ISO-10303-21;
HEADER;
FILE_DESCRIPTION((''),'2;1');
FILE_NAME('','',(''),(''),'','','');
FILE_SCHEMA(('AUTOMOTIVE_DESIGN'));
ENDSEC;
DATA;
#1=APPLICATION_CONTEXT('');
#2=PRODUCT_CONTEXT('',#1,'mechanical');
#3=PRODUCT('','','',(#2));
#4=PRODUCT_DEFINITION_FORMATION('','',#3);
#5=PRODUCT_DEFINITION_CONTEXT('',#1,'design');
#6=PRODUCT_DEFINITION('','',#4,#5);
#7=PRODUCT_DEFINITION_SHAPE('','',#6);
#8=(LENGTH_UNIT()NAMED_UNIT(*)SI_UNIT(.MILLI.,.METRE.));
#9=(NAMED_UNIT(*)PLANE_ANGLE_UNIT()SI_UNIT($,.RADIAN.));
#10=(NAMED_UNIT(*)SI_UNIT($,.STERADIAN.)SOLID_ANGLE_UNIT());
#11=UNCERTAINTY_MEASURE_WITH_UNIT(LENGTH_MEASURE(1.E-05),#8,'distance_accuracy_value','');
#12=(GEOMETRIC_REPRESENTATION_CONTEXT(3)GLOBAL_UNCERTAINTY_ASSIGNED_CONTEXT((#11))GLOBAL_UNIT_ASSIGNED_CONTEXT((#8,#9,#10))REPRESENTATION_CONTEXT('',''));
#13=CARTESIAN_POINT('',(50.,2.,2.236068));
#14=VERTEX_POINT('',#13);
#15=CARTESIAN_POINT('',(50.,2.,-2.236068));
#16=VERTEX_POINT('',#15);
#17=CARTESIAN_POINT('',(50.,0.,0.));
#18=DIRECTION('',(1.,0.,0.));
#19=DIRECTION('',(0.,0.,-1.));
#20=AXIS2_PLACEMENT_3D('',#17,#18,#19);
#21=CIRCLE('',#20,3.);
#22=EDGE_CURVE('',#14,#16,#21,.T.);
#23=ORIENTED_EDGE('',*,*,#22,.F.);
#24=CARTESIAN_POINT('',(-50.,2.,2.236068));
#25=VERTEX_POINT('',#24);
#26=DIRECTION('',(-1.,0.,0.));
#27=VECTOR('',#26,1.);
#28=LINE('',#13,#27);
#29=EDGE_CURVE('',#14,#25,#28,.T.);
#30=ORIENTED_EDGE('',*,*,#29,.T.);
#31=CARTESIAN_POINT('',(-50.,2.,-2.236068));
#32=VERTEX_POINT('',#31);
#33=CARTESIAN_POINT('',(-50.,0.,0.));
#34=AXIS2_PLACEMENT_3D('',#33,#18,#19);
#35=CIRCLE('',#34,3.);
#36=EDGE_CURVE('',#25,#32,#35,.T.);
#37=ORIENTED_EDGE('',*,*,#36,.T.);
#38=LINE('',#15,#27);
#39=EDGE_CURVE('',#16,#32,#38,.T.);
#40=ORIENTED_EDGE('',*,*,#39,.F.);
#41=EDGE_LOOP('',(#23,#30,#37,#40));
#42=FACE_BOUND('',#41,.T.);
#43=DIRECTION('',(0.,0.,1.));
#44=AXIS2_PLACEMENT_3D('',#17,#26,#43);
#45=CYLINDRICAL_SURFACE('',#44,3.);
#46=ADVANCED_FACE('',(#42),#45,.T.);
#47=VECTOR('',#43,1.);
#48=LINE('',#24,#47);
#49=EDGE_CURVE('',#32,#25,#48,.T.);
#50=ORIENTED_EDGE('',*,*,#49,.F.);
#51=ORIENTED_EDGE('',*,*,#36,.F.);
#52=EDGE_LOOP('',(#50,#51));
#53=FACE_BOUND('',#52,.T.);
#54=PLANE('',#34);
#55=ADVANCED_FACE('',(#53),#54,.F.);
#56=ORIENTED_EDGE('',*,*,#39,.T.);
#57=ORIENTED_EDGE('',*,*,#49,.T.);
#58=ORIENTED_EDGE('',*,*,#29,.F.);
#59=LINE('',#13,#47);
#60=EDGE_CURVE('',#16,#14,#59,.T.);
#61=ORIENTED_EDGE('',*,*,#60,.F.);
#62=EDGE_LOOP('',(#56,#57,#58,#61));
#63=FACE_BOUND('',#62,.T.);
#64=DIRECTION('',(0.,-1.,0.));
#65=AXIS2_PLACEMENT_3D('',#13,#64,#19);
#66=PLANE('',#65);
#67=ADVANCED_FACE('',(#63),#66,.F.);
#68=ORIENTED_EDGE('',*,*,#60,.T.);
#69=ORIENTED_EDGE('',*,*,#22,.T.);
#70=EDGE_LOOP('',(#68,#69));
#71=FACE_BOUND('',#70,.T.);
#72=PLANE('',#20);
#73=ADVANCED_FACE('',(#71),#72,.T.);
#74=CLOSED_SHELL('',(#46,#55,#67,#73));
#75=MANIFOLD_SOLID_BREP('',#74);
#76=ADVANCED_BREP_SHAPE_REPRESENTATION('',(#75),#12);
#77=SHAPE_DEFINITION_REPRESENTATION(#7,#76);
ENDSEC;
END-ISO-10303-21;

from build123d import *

# Parameters (mm, degrees)
BOSS_EXTRUDE1_DEPTH = 50


with BuildPart() as part:
    # Sketch1 → Boss-Extrude1 (new body, symmetric)
    with BuildSketch(Plane(origin=(0, 0, 0), x_dir=(0, 0, -1), z_dir=(1, 0, 0))):
        with BuildLine():
            Line((-2.236067977, 2), (2.236067977, 2))
            ThreePointArc((2.236067977, 2), (0, -3), (-2.236067977, 2))
        make_face()
    extrude(amount=BOSS_EXTRUDE1_DEPTH, both=True)


solid = part.part
